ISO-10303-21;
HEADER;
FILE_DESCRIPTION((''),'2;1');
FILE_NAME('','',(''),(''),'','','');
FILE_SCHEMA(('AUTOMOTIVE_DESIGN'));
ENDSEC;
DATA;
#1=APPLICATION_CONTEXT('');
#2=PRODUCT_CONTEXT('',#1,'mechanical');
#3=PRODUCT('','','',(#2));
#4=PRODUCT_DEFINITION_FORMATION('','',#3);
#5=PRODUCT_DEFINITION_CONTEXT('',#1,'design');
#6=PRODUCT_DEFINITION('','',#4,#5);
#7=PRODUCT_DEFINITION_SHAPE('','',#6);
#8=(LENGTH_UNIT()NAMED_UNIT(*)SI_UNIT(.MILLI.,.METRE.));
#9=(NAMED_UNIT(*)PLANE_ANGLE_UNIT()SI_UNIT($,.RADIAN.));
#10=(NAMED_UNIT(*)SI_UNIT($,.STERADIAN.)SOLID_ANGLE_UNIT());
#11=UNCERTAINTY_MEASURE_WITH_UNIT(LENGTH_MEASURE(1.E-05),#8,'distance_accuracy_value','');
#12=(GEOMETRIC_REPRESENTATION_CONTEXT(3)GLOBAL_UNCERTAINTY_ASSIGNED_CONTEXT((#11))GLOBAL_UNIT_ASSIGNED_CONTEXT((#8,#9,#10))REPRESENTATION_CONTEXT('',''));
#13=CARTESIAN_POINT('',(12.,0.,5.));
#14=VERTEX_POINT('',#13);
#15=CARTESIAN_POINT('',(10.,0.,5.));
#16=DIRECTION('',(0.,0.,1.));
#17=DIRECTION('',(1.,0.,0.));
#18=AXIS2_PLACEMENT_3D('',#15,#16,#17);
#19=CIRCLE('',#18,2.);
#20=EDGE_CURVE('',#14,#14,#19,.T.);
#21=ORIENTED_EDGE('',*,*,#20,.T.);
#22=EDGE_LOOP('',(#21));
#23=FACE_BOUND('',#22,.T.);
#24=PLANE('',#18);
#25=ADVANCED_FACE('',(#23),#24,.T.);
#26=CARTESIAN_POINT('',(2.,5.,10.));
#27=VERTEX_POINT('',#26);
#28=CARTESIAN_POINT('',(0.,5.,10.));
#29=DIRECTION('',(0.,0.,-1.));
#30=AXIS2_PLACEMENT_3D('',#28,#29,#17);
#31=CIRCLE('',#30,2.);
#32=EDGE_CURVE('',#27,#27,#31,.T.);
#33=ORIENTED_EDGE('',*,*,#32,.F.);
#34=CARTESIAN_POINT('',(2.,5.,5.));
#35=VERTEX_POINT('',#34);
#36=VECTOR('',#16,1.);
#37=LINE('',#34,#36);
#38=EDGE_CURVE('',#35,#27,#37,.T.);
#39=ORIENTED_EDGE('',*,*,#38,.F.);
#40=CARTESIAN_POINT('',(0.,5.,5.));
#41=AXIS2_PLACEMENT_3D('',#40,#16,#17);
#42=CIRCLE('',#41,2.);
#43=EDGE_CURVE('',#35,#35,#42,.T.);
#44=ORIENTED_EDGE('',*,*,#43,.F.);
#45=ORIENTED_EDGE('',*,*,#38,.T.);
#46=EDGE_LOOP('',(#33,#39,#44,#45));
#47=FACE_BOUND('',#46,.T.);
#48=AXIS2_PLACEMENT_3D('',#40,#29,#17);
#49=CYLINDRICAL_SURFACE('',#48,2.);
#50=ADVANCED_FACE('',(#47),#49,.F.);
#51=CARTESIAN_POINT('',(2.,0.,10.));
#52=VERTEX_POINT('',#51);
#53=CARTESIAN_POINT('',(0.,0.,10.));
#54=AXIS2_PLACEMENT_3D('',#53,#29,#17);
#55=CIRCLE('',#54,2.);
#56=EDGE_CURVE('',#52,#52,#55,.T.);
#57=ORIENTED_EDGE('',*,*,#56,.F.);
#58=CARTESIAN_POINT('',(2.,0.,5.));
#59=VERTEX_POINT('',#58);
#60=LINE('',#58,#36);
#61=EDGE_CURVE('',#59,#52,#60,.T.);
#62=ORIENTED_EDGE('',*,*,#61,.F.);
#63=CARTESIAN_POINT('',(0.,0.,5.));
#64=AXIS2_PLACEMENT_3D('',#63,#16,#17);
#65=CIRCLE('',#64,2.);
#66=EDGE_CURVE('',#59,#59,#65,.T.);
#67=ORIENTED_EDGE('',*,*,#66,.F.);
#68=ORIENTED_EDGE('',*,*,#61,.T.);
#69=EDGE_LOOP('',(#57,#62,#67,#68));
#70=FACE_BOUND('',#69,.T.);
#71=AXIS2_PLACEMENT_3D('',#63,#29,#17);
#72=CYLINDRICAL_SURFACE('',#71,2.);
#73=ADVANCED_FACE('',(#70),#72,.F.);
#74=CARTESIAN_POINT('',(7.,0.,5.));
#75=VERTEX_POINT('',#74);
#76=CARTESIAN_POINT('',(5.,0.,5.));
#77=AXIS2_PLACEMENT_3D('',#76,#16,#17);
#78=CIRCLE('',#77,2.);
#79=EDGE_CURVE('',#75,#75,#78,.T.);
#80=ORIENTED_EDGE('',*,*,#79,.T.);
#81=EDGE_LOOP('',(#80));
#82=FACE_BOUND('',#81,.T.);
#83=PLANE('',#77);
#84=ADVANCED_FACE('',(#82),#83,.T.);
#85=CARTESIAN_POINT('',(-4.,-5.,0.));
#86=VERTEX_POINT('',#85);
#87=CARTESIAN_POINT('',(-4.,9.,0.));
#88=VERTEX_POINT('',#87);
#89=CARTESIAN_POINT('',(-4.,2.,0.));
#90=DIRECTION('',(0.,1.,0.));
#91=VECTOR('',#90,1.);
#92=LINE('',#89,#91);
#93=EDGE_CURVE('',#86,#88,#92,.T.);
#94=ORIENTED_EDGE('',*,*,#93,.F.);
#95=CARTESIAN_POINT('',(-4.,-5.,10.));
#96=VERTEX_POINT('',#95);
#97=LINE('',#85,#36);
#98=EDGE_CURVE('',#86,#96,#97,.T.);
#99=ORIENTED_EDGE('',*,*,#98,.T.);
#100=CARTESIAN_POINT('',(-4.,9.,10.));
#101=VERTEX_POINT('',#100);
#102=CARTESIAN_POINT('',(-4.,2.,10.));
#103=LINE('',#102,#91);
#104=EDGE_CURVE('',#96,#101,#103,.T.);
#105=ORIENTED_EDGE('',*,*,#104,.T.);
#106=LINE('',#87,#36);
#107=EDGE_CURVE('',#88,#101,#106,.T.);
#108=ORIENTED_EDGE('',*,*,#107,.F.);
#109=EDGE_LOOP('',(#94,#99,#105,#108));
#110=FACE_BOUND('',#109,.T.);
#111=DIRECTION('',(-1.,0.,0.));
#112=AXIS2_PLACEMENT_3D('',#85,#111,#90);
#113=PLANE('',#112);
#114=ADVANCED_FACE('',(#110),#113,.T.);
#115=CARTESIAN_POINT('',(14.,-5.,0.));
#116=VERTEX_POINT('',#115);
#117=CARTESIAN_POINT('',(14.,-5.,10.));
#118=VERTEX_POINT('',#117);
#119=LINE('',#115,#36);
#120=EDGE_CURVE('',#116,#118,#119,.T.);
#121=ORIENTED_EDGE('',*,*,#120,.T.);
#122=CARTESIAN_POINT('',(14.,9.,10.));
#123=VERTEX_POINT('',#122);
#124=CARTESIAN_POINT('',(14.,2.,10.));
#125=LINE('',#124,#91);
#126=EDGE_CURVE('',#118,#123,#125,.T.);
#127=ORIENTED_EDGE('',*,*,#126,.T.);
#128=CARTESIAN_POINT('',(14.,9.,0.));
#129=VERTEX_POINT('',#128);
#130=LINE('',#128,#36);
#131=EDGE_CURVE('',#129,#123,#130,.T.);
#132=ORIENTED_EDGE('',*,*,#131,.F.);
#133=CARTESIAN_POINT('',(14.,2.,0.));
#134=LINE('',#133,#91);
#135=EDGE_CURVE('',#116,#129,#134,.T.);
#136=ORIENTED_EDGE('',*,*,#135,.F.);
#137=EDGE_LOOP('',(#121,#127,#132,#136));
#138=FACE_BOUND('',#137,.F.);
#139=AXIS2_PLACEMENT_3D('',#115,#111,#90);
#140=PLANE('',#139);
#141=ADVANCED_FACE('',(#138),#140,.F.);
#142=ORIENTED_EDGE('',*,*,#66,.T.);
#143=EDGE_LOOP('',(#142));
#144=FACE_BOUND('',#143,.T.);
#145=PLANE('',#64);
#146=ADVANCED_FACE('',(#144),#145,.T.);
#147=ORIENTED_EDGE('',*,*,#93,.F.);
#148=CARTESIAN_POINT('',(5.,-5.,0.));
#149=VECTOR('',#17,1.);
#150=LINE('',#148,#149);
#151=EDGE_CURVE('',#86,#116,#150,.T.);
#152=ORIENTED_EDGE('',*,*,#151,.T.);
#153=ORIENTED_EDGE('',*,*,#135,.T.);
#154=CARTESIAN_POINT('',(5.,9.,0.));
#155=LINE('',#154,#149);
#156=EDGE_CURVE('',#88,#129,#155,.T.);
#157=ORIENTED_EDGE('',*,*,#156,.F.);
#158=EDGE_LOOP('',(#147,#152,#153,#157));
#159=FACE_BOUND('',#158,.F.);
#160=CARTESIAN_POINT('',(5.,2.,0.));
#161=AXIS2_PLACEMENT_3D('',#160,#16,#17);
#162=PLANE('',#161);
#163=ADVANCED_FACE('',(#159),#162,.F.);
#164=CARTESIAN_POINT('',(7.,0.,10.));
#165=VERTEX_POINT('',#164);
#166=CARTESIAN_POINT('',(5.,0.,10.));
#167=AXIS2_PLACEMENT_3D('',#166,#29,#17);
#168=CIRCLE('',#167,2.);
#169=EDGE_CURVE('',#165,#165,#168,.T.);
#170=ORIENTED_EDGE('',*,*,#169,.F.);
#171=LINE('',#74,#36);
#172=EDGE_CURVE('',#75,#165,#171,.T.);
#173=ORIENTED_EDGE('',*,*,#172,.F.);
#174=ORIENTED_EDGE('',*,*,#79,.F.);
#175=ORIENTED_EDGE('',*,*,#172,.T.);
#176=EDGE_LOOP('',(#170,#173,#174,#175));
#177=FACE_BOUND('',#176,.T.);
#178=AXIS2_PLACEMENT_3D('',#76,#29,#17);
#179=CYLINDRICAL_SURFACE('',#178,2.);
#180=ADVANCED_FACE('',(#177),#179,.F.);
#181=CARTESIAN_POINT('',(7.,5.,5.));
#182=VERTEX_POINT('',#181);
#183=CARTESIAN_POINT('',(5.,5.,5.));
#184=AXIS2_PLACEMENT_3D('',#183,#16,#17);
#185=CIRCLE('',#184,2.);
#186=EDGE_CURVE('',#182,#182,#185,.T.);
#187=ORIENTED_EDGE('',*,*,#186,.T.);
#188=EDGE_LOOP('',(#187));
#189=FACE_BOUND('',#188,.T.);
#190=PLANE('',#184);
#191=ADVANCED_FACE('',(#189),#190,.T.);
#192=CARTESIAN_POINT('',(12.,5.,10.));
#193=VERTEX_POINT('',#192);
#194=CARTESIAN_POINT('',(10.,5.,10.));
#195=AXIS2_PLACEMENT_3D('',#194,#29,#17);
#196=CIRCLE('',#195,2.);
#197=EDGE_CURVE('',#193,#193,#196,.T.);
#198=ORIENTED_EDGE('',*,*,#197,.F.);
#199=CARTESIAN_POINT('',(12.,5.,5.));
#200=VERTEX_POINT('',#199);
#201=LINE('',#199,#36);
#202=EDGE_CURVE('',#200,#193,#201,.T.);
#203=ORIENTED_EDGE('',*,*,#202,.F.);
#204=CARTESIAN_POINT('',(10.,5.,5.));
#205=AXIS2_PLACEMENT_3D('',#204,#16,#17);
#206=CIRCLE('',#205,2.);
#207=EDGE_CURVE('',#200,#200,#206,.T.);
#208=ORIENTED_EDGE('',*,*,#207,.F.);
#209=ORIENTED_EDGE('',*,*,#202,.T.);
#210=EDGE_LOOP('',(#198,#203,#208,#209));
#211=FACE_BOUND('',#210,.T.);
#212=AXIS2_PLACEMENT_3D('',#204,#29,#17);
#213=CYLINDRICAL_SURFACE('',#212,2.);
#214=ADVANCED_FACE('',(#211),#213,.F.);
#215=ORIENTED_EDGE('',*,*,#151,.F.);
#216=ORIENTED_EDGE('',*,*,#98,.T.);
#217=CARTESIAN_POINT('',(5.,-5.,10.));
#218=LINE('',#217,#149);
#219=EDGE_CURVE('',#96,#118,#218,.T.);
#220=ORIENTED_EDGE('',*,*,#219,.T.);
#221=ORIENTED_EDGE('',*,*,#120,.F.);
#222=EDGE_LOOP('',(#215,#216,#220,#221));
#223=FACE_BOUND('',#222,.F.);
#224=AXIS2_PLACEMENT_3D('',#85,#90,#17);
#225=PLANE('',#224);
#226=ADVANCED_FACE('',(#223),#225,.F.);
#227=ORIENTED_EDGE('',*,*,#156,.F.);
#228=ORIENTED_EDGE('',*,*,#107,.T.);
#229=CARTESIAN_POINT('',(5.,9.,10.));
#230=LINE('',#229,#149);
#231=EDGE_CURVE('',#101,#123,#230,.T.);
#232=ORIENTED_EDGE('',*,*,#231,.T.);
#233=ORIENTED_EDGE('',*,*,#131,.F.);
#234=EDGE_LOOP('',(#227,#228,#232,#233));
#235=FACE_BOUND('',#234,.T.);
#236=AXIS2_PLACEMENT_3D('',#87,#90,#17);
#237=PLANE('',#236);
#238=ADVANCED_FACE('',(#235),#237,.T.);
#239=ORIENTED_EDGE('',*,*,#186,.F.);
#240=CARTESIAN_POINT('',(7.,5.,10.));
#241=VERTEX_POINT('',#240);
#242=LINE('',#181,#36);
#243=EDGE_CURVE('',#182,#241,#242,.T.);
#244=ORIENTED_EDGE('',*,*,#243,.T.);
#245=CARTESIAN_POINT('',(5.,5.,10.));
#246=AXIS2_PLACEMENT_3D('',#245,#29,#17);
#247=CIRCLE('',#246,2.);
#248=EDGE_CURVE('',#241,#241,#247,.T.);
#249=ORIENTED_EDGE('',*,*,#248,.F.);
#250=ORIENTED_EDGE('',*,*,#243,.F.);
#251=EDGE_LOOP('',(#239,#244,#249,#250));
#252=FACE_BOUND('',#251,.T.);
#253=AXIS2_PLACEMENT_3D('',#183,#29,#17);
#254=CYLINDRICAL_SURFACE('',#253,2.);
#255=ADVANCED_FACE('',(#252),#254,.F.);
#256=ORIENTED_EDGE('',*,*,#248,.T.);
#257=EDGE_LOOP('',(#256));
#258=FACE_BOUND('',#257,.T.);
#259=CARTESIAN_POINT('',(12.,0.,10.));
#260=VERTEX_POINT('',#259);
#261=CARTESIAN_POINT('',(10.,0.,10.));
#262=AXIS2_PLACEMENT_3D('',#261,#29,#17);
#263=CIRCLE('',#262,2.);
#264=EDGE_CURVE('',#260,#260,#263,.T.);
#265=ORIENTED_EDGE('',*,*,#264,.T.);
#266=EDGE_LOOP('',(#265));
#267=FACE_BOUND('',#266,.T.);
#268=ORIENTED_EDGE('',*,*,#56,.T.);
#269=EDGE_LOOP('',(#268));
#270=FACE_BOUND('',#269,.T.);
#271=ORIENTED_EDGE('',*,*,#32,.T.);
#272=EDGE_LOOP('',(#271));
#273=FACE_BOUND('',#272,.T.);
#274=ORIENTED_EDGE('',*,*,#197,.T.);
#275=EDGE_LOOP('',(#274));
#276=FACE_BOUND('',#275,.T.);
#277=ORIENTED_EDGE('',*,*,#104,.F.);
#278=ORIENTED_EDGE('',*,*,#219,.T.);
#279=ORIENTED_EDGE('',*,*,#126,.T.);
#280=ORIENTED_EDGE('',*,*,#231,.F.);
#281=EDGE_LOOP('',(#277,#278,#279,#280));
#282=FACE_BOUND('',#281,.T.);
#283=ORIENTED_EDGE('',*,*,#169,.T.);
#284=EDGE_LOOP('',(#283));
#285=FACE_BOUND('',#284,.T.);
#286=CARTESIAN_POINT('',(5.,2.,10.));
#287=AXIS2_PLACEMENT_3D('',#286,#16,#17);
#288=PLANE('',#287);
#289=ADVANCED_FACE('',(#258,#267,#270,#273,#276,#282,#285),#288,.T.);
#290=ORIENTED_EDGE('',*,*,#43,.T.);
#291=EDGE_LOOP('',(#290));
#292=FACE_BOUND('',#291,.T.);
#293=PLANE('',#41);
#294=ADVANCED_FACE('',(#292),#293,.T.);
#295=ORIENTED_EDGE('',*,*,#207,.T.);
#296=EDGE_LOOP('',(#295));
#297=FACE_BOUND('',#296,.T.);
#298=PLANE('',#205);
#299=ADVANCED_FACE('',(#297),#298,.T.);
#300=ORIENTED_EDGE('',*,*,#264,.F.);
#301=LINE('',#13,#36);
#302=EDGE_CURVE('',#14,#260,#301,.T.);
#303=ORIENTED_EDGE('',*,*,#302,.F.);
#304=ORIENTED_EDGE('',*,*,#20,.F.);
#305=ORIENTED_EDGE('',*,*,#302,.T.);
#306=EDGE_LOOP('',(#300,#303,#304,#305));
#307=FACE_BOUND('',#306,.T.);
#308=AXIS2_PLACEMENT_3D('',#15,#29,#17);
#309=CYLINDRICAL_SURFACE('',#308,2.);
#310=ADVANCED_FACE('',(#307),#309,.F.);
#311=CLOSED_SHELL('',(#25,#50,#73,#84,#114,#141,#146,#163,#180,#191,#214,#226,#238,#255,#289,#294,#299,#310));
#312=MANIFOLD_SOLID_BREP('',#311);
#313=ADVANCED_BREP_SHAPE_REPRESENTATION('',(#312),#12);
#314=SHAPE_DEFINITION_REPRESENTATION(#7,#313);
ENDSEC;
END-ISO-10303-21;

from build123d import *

# Parameters (mm, degrees)
CYLINDER001_R     = 2
CYLINDER001_DEPTH = 10
CYLINDER002_R     = 2
CYLINDER002_DEPTH = 10
CYLINDER003_R     = 2
CYLINDER003_DEPTH = 10
CYLINDER004_R     = 2
CYLINDER004_DEPTH = 10
CYLINDER005_R     = 2
CYLINDER005_DEPTH = 10
CYLINDER_R        = 2
CYLINDER_DEPTH    = 10
BOX_W             = 18
BOX_H             = 14
BOX_DEPTH         = 10


with BuildPart() as cilindre2:
    # Cylinder001 → Cylinder001 (new body)
    with BuildSketch(Plane(origin=(0, 5, 5), x_dir=(1, 0, 0), z_dir=(0, 0, 1))):
        Circle(CYLINDER001_R)
    extrude(amount=CYLINDER001_DEPTH)


with BuildPart() as cilindre3:
    # Cylinder002 → Cylinder002 (new body)
    with BuildSketch(Plane(origin=(5, 5, 5), x_dir=(1, 0, 0), z_dir=(0, 0, 1))):
        Circle(CYLINDER002_R)
    extrude(amount=CYLINDER002_DEPTH)


with BuildPart() as cilindre4:
    # Cylinder003 → Cylinder003 (new body)
    with BuildSketch(Plane(origin=(5, 0, 5), x_dir=(1, 0, 0), z_dir=(0, 0, 1))):
        Circle(CYLINDER003_R)
    extrude(amount=CYLINDER003_DEPTH)


with BuildPart() as cilindre5:
    # Cylinder004 → Cylinder004 (new body)
    with BuildSketch(Plane(origin=(10, 0, 5), x_dir=(1, 0, 0), z_dir=(0, 0, 1))):
        Circle(CYLINDER004_R)
    extrude(amount=CYLINDER004_DEPTH)


with BuildPart() as cilindre6:
    # Cylinder005 → Cylinder005 (new body)
    with BuildSketch(Plane(origin=(10, 5, 5), x_dir=(1, 0, 0), z_dir=(0, 0, 1))):
        Circle(CYLINDER005_R)
    extrude(amount=CYLINDER005_DEPTH)


with BuildPart() as forats:
    # Cylinder → Cylinder (new body)
    with BuildSketch(Plane.XY.offset(5)):
        Circle(CYLINDER_R)
    extrude(amount=CYLINDER_DEPTH)

    # Fusion: union cilindre2, cilindre3, cilindre4, cilindre5, cilindre6
    add(cilindre2.part)
    add(cilindre3.part)
    add(cilindre4.part)
    add(cilindre5.part)
    add(cilindre6.part)


with BuildPart() as cut:
    # Box → Box (new body)
    with BuildSketch(Plane(origin=(-4, -5, 0), x_dir=(1, 0, 0), z_dir=(0, 0, 1))):
        with Locations((9, 7)):
            Rectangle(BOX_W, BOX_H)
    extrude(amount=BOX_DEPTH)

    # Cut: cut forats
    add(forats.part, mode=Mode.SUBTRACT)


solid = cut.part
